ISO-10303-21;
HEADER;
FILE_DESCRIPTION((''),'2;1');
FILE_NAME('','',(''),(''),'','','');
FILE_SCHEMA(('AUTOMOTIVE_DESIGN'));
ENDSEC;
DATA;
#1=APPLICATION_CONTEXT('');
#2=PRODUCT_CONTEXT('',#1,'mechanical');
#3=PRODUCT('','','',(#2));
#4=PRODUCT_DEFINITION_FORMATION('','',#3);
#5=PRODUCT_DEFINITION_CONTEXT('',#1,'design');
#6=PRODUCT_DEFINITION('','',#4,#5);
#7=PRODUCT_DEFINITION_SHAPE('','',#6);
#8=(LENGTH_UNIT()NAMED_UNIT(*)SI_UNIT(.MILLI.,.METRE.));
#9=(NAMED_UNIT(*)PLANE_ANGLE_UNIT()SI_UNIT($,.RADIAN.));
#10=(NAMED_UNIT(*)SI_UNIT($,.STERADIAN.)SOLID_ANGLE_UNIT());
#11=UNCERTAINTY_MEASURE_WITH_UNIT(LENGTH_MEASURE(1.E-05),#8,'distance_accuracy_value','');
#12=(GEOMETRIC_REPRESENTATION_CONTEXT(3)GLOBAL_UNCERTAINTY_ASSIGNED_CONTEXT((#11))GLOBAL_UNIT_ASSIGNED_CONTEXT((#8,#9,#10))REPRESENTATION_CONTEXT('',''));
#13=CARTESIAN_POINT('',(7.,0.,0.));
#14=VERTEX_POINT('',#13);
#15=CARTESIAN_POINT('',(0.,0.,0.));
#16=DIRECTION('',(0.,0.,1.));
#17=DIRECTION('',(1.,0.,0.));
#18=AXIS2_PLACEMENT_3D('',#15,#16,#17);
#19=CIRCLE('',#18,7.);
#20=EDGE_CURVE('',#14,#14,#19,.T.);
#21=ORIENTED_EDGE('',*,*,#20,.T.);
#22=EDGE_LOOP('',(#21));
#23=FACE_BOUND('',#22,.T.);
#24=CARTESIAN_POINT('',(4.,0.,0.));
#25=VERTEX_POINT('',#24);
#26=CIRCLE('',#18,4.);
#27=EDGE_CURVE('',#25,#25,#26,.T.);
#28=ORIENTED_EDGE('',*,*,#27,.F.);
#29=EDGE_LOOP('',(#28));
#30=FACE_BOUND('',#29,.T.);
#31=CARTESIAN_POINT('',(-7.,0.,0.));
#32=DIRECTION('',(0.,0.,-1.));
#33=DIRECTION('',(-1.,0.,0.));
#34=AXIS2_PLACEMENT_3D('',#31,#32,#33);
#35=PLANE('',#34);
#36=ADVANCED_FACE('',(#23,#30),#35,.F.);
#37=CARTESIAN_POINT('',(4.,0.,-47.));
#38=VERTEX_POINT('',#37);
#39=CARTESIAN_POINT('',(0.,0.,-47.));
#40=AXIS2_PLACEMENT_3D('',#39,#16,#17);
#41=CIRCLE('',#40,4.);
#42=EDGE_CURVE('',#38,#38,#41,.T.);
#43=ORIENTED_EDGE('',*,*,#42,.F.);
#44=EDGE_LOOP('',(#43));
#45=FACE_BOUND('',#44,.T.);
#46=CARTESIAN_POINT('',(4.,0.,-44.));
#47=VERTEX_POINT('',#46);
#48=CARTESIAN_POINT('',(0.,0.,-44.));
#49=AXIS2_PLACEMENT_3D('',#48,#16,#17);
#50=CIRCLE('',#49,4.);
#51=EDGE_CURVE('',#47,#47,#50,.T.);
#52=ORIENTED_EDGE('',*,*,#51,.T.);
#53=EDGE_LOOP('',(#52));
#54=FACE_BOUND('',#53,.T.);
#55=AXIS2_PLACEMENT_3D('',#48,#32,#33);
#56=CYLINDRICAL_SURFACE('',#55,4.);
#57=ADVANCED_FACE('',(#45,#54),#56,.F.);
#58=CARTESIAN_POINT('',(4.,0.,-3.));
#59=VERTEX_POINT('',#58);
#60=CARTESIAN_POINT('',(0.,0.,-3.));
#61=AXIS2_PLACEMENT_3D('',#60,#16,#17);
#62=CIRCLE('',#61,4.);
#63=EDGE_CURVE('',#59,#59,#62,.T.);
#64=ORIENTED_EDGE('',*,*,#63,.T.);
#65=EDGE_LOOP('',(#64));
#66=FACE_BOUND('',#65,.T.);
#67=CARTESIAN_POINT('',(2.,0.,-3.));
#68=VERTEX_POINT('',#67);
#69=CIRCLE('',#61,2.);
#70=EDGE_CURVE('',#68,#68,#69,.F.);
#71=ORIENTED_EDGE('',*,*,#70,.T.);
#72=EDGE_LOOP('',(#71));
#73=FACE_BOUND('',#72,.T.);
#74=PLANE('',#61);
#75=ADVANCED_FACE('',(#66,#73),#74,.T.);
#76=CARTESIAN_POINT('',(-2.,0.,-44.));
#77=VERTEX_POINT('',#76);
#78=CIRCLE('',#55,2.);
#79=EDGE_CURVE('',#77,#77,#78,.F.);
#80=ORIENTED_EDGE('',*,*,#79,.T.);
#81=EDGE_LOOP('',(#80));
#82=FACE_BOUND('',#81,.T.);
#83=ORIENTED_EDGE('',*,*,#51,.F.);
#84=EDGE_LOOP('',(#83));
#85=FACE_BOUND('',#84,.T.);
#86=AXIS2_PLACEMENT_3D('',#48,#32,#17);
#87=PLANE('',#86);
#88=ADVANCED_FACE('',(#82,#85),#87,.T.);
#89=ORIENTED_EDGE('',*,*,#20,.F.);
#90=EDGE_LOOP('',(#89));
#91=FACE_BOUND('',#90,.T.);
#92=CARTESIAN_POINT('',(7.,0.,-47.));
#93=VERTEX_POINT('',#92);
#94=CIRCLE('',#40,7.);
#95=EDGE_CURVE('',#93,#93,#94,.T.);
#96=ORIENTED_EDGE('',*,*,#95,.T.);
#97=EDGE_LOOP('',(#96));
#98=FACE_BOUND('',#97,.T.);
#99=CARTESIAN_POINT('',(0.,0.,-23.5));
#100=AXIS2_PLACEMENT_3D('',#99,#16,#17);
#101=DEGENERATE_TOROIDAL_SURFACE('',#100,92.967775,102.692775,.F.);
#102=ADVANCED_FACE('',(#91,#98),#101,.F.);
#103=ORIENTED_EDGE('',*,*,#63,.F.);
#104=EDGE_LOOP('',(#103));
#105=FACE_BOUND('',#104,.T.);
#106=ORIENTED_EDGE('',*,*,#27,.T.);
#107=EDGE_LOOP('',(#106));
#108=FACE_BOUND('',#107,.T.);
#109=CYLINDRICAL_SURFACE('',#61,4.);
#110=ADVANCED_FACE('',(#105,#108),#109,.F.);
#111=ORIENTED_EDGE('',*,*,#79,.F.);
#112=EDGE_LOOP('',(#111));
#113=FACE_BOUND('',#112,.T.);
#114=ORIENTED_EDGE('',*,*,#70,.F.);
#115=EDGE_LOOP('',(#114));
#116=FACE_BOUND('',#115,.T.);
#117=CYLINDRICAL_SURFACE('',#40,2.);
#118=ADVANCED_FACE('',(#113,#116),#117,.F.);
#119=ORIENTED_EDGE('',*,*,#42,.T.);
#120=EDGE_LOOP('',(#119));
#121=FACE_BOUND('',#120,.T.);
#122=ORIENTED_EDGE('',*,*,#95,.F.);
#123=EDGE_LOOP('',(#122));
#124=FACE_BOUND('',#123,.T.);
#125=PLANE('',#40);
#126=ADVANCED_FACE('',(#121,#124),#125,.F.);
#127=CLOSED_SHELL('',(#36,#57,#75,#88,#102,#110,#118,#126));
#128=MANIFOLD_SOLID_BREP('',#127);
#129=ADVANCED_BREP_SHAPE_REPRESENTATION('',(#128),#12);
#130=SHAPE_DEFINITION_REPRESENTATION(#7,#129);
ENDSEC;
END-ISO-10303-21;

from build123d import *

# Parameters (mm, degrees)
SKETCH_2_R               = 2
CUT_EXTRUDE_1_DEPTH      = 1.0000001
CUT_EXTRUDE_1_DEPTH_BACK = 48.0000001
SKETCH_3_R               = 4
CUT_EXTRUDE_2_DEPTH      = 3


with BuildPart() as part:
    # Эскиз1 → Повернуть1 (revolve)
    with BuildSketch(Plane(origin=(0, 0, 0), x_dir=(1, 0, 0), z_dir=(0, 1, 0))):
        with BuildLine():
            Line((0, 0), (0, 47))
            Line((0, 47), (-7, 47))
            ThreePointArc((-7, 47), (-9.725, 23.5), (-7, 0))
            Line((-7, 0), (0, 0))
        make_face()
    revolve(axis=Axis((0, 0, 0), (0, 0, -1)))

    # Эскиз2 → Вырез-Вытянуть1 (cut, two sides)
    with BuildSketch(Plane.XY) as cut_extrude_1_sk:
        Circle(SKETCH_2_R)
    extrude(amount=CUT_EXTRUDE_1_DEPTH, mode=Mode.SUBTRACT)
    extrude(cut_extrude_1_sk.sketch, amount=-CUT_EXTRUDE_1_DEPTH_BACK, mode=Mode.SUBTRACT)

    # Эскиз3 → Вырез-Вытянуть2 (cut)
    with BuildSketch(Plane.XY):
        Circle(SKETCH_3_R)
    cut_extrude_2 = extrude(amount=-CUT_EXTRUDE_2_DEPTH, mode=Mode.SUBTRACT)

    # Зеркальное отражение1: Вырез-Вытянуть2 across plane
    add(cut_extrude_2.mirror(Plane.XY.offset(-23.5)), mode=Mode.SUBTRACT)


solid = part.part
